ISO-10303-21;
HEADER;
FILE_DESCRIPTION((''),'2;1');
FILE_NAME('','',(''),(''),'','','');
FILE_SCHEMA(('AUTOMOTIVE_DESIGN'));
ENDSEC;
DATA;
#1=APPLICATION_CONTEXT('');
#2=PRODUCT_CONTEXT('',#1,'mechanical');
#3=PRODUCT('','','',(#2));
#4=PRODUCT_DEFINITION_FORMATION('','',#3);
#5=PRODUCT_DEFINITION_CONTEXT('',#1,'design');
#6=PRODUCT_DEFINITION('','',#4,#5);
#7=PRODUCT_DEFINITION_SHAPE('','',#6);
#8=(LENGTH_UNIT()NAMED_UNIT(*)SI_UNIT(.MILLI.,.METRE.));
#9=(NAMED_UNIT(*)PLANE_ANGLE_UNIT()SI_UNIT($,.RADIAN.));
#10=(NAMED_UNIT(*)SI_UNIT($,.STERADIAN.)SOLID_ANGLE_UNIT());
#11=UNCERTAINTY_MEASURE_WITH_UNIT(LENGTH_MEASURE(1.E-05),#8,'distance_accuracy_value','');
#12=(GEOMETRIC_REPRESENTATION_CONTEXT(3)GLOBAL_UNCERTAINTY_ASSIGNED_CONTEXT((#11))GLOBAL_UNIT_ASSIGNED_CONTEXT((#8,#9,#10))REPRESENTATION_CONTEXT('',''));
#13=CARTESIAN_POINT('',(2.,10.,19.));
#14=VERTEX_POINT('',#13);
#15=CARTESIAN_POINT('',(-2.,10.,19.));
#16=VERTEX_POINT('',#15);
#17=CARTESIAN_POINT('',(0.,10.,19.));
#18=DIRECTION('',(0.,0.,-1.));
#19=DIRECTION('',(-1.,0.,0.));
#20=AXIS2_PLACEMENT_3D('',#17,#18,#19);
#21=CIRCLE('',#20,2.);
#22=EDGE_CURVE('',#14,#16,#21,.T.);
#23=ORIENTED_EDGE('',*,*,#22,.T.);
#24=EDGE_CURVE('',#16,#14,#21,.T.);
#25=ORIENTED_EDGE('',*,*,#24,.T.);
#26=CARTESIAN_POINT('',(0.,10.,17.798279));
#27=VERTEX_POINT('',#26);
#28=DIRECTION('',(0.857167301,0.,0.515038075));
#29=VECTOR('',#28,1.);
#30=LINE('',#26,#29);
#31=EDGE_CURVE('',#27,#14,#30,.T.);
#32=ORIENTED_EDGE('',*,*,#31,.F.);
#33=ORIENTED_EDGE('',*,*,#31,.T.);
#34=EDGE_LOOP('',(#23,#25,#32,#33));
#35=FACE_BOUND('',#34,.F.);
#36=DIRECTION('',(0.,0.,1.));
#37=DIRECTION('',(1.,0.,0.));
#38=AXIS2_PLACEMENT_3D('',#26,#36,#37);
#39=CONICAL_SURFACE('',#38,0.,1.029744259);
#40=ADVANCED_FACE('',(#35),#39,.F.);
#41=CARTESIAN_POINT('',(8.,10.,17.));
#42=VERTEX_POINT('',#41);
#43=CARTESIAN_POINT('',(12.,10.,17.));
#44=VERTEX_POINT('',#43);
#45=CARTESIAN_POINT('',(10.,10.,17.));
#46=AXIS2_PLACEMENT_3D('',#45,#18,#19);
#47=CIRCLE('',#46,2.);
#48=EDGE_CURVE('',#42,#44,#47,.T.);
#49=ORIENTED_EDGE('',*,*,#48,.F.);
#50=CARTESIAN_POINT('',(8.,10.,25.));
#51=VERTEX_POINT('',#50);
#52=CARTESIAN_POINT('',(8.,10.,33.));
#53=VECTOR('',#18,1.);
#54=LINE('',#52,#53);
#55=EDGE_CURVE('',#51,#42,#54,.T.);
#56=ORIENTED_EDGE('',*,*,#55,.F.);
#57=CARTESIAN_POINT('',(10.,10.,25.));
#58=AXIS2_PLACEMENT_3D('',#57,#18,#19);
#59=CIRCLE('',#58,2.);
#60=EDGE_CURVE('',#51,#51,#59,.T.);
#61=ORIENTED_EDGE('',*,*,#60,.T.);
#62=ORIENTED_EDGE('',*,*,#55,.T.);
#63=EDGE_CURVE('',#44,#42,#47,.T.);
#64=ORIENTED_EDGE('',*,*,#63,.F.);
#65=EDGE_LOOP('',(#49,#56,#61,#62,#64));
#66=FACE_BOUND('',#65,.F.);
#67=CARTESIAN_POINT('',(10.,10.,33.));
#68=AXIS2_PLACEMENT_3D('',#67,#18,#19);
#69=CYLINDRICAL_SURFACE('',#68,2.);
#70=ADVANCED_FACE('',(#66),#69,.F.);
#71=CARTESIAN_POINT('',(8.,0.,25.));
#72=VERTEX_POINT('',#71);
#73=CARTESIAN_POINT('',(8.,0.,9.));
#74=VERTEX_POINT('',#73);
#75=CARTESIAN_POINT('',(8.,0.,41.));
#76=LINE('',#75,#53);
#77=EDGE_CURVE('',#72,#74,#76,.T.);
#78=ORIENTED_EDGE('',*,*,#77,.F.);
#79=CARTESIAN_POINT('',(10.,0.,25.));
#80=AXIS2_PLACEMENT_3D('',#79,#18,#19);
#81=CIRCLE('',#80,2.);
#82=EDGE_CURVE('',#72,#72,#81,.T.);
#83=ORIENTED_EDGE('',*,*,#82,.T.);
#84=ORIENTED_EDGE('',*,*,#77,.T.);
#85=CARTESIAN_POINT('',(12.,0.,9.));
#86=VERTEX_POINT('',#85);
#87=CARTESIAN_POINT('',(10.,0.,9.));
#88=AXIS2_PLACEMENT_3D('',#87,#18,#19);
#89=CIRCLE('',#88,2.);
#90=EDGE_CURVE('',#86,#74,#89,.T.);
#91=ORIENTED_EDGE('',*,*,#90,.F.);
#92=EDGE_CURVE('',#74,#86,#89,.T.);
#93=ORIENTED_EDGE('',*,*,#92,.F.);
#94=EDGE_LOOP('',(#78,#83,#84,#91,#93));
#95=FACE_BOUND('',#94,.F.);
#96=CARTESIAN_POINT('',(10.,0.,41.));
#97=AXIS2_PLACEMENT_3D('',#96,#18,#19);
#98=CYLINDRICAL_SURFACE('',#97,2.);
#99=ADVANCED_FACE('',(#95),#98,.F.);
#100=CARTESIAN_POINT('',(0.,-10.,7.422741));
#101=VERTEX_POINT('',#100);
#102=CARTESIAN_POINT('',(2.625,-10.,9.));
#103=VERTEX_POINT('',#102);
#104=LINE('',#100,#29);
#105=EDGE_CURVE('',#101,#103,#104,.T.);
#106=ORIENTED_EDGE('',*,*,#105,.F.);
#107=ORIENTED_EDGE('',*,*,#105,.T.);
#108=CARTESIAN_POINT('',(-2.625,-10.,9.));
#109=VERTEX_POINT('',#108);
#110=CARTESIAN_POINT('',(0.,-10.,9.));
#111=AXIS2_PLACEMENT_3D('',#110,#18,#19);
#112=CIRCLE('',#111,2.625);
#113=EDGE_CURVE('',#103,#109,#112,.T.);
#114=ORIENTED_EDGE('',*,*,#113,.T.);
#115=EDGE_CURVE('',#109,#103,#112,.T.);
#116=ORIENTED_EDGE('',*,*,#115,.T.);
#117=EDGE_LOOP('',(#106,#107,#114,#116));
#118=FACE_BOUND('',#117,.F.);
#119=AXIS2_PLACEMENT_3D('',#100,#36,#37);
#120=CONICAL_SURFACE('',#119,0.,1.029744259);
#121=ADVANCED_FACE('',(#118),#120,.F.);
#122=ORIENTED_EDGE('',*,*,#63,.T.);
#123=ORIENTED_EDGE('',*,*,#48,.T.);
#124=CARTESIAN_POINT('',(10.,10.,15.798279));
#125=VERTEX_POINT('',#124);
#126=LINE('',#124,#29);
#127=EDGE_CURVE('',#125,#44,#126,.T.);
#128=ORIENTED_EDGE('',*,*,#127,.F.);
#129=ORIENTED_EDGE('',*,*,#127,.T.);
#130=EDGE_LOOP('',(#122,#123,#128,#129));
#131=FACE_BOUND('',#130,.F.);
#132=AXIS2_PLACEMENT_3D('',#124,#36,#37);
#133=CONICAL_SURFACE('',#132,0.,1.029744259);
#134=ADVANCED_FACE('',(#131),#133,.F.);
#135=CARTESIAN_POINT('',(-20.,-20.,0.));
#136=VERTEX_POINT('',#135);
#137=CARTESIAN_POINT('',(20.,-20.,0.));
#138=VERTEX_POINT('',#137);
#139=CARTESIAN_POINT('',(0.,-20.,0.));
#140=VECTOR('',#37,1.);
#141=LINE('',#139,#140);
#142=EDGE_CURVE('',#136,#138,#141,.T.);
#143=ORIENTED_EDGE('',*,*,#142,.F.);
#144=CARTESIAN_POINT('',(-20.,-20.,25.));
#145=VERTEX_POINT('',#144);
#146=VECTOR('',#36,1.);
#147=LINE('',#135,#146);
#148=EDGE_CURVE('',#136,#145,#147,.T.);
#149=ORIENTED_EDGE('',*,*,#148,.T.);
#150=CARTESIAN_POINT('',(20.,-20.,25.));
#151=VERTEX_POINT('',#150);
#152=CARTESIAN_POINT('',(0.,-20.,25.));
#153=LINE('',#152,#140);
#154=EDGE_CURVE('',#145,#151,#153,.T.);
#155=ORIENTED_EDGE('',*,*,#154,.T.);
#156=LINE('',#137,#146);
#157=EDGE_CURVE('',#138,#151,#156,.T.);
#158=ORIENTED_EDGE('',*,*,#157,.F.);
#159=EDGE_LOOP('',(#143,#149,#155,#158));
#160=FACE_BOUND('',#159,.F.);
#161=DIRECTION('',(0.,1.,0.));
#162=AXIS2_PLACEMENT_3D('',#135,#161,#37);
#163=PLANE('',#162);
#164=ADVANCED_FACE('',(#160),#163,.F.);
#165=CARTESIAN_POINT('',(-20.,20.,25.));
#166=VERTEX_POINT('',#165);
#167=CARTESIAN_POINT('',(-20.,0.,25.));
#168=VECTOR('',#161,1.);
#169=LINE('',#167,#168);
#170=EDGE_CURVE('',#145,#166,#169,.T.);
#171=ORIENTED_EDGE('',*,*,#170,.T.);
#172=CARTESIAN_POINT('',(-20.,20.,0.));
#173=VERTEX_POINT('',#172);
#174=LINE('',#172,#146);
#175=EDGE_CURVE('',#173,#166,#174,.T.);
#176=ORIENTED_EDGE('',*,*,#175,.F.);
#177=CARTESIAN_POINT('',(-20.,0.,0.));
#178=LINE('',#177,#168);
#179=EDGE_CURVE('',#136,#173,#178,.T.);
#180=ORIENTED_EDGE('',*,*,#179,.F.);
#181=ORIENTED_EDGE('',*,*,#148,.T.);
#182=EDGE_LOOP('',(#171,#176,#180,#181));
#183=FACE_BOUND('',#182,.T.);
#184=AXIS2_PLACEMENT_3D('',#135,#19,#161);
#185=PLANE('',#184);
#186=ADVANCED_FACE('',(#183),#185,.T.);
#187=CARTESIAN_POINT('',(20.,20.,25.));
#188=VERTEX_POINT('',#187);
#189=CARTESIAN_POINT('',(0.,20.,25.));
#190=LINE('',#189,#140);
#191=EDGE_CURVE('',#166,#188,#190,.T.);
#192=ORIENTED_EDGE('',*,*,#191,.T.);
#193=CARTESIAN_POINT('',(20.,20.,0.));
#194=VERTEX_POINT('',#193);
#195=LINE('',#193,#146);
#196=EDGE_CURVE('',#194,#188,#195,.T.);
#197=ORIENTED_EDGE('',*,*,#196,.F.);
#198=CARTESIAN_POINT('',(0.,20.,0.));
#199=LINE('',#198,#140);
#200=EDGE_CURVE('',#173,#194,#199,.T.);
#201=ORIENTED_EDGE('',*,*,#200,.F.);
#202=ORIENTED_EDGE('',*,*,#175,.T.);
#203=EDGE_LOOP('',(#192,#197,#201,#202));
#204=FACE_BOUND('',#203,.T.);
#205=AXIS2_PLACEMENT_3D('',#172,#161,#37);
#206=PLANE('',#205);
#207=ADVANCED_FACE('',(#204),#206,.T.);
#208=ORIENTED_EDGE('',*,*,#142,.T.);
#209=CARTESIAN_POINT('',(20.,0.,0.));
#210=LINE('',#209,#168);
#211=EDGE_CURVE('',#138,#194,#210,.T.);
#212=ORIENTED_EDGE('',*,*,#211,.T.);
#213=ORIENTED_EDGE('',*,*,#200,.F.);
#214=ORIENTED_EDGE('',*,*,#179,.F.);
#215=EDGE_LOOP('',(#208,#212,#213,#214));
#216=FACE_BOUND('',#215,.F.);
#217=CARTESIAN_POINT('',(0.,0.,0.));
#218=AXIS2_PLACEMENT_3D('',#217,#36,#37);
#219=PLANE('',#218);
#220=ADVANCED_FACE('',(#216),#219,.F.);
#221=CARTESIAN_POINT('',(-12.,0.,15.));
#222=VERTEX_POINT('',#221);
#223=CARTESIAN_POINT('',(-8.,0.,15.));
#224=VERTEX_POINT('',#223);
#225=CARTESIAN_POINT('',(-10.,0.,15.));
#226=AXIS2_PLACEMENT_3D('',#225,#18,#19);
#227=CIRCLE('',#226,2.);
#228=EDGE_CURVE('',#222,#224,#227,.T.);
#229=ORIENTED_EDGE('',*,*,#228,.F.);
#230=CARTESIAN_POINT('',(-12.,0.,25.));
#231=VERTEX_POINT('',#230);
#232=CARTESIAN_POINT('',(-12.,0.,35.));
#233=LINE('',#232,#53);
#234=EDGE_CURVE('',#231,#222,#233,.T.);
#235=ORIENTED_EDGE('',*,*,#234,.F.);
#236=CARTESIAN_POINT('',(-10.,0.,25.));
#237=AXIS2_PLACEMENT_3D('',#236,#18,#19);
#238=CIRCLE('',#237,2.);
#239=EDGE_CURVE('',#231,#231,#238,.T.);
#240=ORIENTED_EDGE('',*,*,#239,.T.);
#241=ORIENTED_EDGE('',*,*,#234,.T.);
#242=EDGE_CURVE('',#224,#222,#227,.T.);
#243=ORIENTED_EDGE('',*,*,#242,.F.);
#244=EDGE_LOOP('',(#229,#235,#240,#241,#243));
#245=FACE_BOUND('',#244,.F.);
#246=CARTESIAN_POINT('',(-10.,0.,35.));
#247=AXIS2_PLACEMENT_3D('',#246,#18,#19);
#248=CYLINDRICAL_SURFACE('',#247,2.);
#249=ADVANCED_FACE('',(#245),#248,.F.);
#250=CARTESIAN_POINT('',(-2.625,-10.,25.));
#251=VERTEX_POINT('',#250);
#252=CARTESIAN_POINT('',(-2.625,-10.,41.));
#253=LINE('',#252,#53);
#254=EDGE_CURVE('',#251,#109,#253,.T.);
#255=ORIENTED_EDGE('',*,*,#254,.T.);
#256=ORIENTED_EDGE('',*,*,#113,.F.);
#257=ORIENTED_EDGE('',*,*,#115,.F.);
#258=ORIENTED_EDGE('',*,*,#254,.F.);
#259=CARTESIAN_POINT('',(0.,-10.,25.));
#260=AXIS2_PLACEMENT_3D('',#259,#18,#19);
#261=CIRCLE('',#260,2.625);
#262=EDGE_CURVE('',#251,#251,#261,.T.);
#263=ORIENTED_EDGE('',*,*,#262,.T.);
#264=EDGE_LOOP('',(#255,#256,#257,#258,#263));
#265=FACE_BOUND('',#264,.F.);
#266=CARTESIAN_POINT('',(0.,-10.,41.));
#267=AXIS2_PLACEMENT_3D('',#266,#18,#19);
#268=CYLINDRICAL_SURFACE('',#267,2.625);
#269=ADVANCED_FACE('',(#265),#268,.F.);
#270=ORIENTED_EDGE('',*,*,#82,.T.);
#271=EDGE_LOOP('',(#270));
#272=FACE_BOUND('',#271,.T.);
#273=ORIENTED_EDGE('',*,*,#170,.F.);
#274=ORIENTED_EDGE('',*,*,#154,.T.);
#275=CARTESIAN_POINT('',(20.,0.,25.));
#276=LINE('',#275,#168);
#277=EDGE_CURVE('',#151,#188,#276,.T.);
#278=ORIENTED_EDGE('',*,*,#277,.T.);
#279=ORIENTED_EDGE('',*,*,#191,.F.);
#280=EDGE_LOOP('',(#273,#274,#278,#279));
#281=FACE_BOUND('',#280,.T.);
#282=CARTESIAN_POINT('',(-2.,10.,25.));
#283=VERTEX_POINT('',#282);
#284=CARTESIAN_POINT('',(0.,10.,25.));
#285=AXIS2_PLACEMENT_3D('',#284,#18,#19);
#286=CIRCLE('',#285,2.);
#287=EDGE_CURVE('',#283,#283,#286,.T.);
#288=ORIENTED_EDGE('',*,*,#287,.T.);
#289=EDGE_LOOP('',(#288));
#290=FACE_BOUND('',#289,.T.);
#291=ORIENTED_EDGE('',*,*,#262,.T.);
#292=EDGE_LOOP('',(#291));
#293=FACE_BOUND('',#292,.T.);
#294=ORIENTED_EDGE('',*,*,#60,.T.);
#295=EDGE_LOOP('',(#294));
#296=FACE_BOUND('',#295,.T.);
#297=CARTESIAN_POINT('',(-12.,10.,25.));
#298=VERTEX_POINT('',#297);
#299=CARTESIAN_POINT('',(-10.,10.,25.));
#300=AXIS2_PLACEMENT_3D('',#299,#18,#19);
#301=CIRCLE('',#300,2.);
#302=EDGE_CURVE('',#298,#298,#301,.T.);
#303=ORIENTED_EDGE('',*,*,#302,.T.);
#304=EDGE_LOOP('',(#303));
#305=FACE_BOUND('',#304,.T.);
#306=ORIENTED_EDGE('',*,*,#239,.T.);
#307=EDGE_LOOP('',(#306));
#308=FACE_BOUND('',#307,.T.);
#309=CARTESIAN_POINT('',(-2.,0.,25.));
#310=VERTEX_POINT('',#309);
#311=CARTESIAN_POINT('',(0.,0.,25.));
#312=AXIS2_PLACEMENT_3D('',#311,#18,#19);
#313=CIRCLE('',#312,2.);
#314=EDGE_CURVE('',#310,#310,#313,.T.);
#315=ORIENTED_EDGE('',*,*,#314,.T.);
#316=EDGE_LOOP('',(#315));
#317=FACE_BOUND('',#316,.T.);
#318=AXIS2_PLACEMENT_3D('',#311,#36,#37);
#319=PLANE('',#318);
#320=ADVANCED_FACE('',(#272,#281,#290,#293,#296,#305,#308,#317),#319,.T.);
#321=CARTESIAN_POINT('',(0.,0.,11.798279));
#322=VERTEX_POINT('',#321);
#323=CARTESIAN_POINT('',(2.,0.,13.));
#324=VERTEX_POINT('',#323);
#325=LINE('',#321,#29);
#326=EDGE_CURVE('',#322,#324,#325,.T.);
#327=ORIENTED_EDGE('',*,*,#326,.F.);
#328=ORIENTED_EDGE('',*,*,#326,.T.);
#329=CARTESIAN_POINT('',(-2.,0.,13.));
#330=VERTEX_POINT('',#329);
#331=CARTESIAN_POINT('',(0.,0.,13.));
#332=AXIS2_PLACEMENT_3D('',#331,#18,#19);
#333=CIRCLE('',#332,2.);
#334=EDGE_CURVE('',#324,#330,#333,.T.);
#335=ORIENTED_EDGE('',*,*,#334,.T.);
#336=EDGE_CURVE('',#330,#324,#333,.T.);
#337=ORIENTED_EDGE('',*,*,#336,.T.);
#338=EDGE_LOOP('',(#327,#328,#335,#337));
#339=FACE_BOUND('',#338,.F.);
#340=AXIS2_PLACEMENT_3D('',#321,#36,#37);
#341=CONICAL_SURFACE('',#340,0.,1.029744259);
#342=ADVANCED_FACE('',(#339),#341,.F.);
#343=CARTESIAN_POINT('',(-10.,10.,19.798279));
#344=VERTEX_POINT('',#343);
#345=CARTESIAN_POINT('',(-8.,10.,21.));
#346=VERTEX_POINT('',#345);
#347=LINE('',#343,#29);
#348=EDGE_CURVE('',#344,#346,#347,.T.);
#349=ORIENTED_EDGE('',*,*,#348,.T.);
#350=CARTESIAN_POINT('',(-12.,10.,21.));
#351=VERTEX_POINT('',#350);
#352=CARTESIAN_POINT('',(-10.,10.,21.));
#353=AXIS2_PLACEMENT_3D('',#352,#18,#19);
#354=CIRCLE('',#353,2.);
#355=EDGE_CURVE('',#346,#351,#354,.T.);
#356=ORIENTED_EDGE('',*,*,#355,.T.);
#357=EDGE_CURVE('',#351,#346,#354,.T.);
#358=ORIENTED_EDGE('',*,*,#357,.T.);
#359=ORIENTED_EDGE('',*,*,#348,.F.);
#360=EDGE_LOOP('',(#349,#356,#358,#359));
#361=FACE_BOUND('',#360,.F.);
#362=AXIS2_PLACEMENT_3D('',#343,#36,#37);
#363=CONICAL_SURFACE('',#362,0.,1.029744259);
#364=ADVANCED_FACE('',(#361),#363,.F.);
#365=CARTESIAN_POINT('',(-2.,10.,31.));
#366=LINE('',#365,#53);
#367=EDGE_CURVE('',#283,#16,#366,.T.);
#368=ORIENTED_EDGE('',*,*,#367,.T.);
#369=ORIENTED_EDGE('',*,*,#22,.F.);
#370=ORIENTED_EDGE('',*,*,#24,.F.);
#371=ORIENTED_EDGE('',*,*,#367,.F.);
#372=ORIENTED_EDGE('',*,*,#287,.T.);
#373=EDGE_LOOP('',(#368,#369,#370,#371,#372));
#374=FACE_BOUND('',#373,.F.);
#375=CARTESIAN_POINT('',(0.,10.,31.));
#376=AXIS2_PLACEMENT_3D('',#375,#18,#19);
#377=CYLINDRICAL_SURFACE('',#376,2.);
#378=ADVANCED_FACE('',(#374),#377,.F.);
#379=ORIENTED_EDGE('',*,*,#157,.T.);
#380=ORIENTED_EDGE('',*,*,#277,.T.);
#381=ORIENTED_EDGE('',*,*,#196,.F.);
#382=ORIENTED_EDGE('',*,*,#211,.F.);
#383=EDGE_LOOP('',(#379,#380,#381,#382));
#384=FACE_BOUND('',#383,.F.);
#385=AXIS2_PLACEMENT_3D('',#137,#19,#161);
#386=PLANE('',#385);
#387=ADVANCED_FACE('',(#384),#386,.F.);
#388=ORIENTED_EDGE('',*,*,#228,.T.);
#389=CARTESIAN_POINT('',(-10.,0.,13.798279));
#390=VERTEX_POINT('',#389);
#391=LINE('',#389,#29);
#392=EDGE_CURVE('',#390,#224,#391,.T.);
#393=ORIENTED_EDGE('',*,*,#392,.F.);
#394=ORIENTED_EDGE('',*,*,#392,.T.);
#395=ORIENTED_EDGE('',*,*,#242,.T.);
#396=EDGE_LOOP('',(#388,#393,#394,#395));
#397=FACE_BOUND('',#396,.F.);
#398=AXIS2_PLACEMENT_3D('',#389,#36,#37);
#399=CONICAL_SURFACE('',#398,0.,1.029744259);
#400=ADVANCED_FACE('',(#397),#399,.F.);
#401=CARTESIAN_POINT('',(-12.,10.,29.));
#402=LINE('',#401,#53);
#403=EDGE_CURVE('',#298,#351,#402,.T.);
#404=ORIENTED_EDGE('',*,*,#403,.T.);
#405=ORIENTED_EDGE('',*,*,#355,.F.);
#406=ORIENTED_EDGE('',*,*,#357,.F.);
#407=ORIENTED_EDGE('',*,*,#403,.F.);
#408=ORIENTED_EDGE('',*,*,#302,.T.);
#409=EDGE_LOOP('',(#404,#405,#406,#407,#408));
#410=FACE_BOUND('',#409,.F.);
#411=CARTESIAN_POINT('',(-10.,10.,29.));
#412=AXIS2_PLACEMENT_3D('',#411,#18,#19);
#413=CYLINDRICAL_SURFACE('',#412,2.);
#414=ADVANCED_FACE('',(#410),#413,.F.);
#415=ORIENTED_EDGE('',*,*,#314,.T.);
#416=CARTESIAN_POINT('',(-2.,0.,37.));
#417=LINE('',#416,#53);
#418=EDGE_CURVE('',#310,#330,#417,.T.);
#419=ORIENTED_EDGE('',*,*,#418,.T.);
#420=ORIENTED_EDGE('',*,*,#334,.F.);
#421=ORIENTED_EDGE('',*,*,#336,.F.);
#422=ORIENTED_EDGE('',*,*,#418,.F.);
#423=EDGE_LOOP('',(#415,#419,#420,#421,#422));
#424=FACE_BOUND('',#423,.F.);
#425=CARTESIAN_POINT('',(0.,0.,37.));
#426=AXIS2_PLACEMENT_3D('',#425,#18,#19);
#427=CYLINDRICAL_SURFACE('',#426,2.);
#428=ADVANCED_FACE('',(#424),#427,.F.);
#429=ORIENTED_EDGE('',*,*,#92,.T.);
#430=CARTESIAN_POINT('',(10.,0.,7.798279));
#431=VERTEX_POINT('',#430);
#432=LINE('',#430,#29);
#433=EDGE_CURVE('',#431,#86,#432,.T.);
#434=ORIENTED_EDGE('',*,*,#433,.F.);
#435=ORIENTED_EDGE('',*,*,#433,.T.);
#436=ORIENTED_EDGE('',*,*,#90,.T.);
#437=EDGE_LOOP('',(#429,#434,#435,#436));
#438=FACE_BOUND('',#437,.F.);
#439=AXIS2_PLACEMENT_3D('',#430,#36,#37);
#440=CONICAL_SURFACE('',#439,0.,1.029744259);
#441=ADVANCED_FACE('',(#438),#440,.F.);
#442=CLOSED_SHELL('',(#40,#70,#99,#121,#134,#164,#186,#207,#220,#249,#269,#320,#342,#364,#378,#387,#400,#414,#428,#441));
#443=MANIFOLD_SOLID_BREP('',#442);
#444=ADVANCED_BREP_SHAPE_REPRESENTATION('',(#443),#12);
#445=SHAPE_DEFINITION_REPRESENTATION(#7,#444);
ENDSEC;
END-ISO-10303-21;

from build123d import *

# Parameters (mm, degrees)
F0_W     = 40
F0_H     = 40
F1_DEPTH = 25
F3_D     = 4
F3_DEPTH = 4
F3_TIP   = 1.2017212381
F4_D     = 4
F4_DEPTH = 6
F4_TIP   = 1.2017212381
F5_D     = 4
F5_DEPTH = 8
F5_TIP   = 1.2017212381
F6_D     = 4
F6_DEPTH = 10
F6_TIP   = 1.2017212381
F7_D     = 4
F7_DEPTH = 12
F7_TIP   = 1.2017212381
F8_D     = 4
F8_DEPTH = 16
F8_TIP   = 1.2017212381
F9_D     = 5.25
F9_DEPTH = 16
F9_TIP   = 1.5772591249


with BuildPart() as f1:
    # F0 (on Top) → F1 (new body)
    with BuildSketch(Plane.XY):
        Rectangle(F0_W, F0_H)
    extrude(amount=F1_DEPTH)

    # F3
    with Locations(Plane.XY.offset(25)):
        with Locations((-10, 10)):
            Hole(F3_D / 2, depth=F3_DEPTH)
            with Locations((0, 0, -(F3_DEPTH + F3_TIP / 2))):  # 118° drill point
                Cone(0, F3_D / 2, F3_TIP, mode=Mode.SUBTRACT)

    # F4
    with Locations(Plane.XY.offset(25)):
        with Locations((0, 10)):
            Hole(F4_D / 2, depth=F4_DEPTH)
            with Locations((0, 0, -(F4_DEPTH + F4_TIP / 2))):  # 118° drill point
                Cone(0, F4_D / 2, F4_TIP, mode=Mode.SUBTRACT)

    # F5
    with Locations(Plane.XY.offset(25)):
        with Locations((10, 10)):
            Hole(F5_D / 2, depth=F5_DEPTH)
            with Locations((0, 0, -(F5_DEPTH + F5_TIP / 2))):  # 118° drill point
                Cone(0, F5_D / 2, F5_TIP, mode=Mode.SUBTRACT)

    # F6
    with Locations(Plane.XY.offset(25)):
        with Locations((-10, 0)):
            Hole(F6_D / 2, depth=F6_DEPTH)
            with Locations((0, 0, -(F6_DEPTH + F6_TIP / 2))):  # 118° drill point
                Cone(0, F6_D / 2, F6_TIP, mode=Mode.SUBTRACT)

    # F7
    with Locations(Plane.XY.offset(25)):
        with Locations((0, 0)):
            Hole(F7_D / 2, depth=F7_DEPTH)
            with Locations((0, 0, -(F7_DEPTH + F7_TIP / 2))):  # 118° drill point
                Cone(0, F7_D / 2, F7_TIP, mode=Mode.SUBTRACT)

    # F8
    with Locations(Plane.XY.offset(25)):
        with Locations((10, 0)):
            Hole(F8_D / 2, depth=F8_DEPTH)
            with Locations((0, 0, -(F8_DEPTH + F8_TIP / 2))):  # 118° drill point
                Cone(0, F8_D / 2, F8_TIP, mode=Mode.SUBTRACT)

    # F9
    with Locations(Plane.XY.offset(25)):
        with Locations((0, -10)):
            Hole(F9_D / 2, depth=F9_DEPTH)
            with Locations((0, 0, -(F9_DEPTH + F9_TIP / 2))):  # 118° drill point
                Cone(0, F9_D / 2, F9_TIP, mode=Mode.SUBTRACT)


solid = f1.part
